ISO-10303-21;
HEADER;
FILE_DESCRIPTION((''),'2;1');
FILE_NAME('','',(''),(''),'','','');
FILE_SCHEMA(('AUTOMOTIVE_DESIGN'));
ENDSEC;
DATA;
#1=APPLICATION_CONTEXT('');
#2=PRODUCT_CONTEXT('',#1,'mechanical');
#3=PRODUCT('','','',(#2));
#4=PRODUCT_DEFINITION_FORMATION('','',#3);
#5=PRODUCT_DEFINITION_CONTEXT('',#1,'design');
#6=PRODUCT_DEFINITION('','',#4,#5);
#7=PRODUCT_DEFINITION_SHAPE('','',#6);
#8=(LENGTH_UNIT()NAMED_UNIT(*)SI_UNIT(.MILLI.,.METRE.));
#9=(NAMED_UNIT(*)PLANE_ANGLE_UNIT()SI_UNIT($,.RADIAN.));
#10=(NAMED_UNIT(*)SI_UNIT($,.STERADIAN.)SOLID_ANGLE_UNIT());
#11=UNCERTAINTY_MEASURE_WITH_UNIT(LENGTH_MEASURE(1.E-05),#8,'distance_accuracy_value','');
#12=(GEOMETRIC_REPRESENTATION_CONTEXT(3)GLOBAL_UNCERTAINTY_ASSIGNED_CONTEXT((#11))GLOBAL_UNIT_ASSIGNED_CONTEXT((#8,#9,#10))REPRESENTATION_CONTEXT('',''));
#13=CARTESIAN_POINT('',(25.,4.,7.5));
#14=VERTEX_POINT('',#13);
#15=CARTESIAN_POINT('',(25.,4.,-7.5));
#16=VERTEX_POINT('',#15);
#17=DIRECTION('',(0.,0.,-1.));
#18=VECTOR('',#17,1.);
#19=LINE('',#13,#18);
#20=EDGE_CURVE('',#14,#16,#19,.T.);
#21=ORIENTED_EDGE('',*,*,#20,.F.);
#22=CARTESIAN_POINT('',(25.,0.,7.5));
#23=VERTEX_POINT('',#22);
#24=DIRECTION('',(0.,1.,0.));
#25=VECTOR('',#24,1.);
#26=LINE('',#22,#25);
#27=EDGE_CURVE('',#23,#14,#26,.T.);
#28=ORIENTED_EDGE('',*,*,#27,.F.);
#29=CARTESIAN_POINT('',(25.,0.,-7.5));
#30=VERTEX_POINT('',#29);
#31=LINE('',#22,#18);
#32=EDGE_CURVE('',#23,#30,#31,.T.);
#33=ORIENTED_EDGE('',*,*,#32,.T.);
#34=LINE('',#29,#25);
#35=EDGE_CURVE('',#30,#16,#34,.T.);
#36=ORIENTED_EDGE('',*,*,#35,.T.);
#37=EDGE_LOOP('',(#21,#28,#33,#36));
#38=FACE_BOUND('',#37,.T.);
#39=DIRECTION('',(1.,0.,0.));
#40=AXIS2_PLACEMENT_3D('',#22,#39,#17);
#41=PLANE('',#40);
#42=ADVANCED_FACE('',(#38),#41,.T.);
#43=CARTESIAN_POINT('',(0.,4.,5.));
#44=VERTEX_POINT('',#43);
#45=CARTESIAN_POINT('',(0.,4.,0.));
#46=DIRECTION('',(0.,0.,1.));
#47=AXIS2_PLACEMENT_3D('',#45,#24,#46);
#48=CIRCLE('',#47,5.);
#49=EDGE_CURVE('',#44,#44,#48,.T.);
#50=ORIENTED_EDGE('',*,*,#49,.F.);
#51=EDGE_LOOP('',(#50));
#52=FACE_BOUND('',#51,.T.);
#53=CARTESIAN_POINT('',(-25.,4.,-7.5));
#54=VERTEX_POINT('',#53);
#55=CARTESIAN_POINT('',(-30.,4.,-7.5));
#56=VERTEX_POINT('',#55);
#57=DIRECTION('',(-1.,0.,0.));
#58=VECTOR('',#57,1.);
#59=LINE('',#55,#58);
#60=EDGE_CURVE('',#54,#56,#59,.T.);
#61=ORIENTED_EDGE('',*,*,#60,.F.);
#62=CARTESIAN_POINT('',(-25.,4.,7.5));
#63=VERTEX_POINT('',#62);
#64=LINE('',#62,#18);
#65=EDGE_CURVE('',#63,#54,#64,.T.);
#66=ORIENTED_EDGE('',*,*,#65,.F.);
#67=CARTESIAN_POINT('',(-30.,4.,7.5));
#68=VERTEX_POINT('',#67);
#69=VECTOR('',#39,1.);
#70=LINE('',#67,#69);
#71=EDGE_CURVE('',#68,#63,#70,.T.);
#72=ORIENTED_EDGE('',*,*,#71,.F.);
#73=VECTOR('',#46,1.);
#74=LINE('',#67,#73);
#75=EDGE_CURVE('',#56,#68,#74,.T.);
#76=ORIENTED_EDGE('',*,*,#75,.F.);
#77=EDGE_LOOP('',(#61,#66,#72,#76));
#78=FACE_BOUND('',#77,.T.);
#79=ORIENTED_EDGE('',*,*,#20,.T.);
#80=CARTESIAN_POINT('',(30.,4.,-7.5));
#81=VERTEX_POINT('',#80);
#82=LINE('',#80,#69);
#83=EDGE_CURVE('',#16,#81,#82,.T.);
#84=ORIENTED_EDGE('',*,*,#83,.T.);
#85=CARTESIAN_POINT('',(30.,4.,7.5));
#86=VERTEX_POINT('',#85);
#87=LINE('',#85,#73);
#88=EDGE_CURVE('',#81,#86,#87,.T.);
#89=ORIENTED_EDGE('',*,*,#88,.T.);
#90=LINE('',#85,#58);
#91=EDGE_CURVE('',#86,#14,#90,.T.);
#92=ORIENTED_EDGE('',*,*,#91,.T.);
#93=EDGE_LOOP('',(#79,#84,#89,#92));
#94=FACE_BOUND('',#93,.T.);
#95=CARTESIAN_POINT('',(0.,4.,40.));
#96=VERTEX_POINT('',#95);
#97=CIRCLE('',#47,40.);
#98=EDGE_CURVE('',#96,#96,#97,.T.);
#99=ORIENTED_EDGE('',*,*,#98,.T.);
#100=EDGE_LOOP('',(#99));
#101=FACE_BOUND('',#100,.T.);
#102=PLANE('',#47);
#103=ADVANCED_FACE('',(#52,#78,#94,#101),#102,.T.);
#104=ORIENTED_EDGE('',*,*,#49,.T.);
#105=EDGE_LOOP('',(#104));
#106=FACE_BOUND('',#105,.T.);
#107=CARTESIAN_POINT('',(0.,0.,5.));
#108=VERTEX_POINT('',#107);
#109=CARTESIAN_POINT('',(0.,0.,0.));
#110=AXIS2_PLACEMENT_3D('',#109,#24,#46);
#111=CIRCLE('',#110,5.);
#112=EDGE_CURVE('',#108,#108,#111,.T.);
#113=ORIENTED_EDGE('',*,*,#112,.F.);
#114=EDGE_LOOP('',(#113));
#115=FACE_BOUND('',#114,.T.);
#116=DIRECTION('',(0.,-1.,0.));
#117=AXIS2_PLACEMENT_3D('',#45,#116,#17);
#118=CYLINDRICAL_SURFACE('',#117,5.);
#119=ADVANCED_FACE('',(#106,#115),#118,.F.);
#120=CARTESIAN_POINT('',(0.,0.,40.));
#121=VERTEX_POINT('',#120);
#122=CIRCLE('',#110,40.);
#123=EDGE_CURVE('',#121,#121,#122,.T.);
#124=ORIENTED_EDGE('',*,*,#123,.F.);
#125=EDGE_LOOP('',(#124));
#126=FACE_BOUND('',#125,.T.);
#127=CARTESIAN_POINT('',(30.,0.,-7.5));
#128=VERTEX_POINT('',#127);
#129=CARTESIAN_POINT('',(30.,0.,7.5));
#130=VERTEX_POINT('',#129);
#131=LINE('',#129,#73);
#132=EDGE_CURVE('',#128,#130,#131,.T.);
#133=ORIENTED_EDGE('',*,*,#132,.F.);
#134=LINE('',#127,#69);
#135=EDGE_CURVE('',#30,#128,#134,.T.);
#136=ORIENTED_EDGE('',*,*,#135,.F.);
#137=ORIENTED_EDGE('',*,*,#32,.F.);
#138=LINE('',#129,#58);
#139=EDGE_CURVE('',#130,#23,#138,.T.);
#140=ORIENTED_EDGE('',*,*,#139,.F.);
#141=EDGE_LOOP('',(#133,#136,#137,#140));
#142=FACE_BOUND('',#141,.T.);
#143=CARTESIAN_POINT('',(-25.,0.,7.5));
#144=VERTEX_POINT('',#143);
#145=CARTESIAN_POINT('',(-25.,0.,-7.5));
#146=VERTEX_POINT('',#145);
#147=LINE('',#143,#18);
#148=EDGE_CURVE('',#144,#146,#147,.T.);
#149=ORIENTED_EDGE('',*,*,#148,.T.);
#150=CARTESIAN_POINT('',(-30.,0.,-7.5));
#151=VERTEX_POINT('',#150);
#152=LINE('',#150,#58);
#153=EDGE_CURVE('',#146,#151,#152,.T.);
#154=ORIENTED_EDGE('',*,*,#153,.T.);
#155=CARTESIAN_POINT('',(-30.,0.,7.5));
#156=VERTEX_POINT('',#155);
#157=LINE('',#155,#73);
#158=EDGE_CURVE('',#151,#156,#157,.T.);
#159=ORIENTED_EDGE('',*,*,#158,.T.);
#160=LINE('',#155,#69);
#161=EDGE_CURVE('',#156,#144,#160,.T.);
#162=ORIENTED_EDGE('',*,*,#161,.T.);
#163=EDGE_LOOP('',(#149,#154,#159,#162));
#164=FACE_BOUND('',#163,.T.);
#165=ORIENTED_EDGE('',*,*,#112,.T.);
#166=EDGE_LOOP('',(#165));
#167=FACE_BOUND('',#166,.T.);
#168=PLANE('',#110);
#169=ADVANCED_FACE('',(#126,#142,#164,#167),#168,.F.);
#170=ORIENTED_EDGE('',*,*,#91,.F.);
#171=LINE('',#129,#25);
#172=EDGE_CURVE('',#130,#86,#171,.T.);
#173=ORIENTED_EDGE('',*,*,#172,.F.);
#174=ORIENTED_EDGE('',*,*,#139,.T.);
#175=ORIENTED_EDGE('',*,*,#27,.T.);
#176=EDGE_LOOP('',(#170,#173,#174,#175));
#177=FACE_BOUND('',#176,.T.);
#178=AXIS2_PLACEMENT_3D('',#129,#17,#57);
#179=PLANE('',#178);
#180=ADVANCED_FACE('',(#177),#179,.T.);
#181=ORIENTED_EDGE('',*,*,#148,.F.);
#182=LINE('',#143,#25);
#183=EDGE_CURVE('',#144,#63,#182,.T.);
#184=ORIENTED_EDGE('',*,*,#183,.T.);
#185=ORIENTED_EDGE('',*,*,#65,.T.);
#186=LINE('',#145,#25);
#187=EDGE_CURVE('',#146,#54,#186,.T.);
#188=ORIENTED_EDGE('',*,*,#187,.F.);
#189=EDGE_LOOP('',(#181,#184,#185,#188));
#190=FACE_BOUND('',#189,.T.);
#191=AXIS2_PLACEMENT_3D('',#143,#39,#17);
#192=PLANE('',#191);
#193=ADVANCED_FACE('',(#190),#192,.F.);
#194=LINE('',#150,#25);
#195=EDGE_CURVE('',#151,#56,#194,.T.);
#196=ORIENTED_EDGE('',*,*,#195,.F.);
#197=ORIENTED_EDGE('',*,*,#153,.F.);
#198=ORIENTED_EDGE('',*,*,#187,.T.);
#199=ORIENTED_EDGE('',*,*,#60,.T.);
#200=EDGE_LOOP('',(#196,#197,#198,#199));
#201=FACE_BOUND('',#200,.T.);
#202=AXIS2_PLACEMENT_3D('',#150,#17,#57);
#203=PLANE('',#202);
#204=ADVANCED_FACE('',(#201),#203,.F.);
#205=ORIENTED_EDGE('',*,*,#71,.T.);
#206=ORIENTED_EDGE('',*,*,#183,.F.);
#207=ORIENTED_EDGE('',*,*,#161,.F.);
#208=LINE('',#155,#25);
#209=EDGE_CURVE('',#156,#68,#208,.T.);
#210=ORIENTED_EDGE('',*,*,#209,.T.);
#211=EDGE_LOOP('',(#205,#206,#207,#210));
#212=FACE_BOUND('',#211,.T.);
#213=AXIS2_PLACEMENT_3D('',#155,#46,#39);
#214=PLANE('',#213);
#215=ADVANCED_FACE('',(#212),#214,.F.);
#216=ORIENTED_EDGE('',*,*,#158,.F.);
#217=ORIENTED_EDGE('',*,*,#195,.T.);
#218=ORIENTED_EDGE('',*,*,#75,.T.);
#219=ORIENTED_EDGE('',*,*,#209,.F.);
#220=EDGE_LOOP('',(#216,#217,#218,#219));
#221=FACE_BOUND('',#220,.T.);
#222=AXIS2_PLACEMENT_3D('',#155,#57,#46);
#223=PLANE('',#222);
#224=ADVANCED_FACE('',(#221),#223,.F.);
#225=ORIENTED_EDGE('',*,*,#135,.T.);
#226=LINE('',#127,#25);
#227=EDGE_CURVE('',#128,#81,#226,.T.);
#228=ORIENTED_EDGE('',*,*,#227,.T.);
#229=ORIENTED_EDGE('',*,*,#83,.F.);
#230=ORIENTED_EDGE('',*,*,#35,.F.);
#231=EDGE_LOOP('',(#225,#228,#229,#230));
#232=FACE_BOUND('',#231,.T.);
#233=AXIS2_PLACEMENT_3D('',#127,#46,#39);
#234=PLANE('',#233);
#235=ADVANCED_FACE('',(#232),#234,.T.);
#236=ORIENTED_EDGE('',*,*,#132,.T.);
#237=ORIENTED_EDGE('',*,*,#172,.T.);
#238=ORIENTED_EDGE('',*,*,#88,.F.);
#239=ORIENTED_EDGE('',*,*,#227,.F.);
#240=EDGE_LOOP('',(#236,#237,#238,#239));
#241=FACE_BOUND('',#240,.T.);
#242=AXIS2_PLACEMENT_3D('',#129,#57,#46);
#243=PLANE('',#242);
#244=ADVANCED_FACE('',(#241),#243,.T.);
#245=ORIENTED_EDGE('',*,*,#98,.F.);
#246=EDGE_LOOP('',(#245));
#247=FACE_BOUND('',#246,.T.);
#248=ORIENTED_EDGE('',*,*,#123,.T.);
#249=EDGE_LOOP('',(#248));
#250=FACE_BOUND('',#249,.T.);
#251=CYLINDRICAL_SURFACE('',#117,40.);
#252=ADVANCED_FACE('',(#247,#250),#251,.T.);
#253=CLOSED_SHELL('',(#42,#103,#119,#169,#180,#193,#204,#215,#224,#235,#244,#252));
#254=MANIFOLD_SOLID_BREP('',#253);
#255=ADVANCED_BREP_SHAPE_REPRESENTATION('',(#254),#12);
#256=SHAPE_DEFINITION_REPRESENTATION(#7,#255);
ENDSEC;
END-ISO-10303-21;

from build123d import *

# Parameters (mm, degrees)
SKETCH1_R           = 40
SKETCH1_R_2         = 5
BOSS_EXTRUDE1_DEPTH = 4
SKETCH2_W           = 5
SKETCH2_H           = 15
CUT_EXTRUDE1_DEPTH  = 4


with BuildPart() as part:
    # Sketch1 → Boss-Extrude1 (new body)
    with BuildSketch(Plane(origin=(0, 0, 0), x_dir=(1, 0, 0), z_dir=(0, 1, 0))):
        with Locations(Location((0, 0, 0), (0, 0, 270))):
            Circle(SKETCH1_R)
        with Locations(Location((0, 0, 0), (0, 0, 270))):
            Circle(SKETCH1_R_2, mode=Mode.SUBTRACT)
    extrude(amount=BOSS_EXTRUDE1_DEPTH)

    # Sketch2 → Cut-Extrude1 (cut)
    with BuildSketch(Plane(origin=(0, 4, 0), x_dir=(1, 0, 0), z_dir=(0, 1, 0))):
        with Locations((-27.5, 0)):
            Rectangle(SKETCH2_W, SKETCH2_H)
    cut_extrude1 = extrude(amount=-CUT_EXTRUDE1_DEPTH, mode=Mode.SUBTRACT)

    # Mirror1: Cut-Extrude1 across plane
    add(cut_extrude1.mirror(Plane(origin=(0, 0, 0), x_dir=(0, 0, 1), z_dir=(1, 0, 0))), mode=Mode.SUBTRACT)


solid = part.part
